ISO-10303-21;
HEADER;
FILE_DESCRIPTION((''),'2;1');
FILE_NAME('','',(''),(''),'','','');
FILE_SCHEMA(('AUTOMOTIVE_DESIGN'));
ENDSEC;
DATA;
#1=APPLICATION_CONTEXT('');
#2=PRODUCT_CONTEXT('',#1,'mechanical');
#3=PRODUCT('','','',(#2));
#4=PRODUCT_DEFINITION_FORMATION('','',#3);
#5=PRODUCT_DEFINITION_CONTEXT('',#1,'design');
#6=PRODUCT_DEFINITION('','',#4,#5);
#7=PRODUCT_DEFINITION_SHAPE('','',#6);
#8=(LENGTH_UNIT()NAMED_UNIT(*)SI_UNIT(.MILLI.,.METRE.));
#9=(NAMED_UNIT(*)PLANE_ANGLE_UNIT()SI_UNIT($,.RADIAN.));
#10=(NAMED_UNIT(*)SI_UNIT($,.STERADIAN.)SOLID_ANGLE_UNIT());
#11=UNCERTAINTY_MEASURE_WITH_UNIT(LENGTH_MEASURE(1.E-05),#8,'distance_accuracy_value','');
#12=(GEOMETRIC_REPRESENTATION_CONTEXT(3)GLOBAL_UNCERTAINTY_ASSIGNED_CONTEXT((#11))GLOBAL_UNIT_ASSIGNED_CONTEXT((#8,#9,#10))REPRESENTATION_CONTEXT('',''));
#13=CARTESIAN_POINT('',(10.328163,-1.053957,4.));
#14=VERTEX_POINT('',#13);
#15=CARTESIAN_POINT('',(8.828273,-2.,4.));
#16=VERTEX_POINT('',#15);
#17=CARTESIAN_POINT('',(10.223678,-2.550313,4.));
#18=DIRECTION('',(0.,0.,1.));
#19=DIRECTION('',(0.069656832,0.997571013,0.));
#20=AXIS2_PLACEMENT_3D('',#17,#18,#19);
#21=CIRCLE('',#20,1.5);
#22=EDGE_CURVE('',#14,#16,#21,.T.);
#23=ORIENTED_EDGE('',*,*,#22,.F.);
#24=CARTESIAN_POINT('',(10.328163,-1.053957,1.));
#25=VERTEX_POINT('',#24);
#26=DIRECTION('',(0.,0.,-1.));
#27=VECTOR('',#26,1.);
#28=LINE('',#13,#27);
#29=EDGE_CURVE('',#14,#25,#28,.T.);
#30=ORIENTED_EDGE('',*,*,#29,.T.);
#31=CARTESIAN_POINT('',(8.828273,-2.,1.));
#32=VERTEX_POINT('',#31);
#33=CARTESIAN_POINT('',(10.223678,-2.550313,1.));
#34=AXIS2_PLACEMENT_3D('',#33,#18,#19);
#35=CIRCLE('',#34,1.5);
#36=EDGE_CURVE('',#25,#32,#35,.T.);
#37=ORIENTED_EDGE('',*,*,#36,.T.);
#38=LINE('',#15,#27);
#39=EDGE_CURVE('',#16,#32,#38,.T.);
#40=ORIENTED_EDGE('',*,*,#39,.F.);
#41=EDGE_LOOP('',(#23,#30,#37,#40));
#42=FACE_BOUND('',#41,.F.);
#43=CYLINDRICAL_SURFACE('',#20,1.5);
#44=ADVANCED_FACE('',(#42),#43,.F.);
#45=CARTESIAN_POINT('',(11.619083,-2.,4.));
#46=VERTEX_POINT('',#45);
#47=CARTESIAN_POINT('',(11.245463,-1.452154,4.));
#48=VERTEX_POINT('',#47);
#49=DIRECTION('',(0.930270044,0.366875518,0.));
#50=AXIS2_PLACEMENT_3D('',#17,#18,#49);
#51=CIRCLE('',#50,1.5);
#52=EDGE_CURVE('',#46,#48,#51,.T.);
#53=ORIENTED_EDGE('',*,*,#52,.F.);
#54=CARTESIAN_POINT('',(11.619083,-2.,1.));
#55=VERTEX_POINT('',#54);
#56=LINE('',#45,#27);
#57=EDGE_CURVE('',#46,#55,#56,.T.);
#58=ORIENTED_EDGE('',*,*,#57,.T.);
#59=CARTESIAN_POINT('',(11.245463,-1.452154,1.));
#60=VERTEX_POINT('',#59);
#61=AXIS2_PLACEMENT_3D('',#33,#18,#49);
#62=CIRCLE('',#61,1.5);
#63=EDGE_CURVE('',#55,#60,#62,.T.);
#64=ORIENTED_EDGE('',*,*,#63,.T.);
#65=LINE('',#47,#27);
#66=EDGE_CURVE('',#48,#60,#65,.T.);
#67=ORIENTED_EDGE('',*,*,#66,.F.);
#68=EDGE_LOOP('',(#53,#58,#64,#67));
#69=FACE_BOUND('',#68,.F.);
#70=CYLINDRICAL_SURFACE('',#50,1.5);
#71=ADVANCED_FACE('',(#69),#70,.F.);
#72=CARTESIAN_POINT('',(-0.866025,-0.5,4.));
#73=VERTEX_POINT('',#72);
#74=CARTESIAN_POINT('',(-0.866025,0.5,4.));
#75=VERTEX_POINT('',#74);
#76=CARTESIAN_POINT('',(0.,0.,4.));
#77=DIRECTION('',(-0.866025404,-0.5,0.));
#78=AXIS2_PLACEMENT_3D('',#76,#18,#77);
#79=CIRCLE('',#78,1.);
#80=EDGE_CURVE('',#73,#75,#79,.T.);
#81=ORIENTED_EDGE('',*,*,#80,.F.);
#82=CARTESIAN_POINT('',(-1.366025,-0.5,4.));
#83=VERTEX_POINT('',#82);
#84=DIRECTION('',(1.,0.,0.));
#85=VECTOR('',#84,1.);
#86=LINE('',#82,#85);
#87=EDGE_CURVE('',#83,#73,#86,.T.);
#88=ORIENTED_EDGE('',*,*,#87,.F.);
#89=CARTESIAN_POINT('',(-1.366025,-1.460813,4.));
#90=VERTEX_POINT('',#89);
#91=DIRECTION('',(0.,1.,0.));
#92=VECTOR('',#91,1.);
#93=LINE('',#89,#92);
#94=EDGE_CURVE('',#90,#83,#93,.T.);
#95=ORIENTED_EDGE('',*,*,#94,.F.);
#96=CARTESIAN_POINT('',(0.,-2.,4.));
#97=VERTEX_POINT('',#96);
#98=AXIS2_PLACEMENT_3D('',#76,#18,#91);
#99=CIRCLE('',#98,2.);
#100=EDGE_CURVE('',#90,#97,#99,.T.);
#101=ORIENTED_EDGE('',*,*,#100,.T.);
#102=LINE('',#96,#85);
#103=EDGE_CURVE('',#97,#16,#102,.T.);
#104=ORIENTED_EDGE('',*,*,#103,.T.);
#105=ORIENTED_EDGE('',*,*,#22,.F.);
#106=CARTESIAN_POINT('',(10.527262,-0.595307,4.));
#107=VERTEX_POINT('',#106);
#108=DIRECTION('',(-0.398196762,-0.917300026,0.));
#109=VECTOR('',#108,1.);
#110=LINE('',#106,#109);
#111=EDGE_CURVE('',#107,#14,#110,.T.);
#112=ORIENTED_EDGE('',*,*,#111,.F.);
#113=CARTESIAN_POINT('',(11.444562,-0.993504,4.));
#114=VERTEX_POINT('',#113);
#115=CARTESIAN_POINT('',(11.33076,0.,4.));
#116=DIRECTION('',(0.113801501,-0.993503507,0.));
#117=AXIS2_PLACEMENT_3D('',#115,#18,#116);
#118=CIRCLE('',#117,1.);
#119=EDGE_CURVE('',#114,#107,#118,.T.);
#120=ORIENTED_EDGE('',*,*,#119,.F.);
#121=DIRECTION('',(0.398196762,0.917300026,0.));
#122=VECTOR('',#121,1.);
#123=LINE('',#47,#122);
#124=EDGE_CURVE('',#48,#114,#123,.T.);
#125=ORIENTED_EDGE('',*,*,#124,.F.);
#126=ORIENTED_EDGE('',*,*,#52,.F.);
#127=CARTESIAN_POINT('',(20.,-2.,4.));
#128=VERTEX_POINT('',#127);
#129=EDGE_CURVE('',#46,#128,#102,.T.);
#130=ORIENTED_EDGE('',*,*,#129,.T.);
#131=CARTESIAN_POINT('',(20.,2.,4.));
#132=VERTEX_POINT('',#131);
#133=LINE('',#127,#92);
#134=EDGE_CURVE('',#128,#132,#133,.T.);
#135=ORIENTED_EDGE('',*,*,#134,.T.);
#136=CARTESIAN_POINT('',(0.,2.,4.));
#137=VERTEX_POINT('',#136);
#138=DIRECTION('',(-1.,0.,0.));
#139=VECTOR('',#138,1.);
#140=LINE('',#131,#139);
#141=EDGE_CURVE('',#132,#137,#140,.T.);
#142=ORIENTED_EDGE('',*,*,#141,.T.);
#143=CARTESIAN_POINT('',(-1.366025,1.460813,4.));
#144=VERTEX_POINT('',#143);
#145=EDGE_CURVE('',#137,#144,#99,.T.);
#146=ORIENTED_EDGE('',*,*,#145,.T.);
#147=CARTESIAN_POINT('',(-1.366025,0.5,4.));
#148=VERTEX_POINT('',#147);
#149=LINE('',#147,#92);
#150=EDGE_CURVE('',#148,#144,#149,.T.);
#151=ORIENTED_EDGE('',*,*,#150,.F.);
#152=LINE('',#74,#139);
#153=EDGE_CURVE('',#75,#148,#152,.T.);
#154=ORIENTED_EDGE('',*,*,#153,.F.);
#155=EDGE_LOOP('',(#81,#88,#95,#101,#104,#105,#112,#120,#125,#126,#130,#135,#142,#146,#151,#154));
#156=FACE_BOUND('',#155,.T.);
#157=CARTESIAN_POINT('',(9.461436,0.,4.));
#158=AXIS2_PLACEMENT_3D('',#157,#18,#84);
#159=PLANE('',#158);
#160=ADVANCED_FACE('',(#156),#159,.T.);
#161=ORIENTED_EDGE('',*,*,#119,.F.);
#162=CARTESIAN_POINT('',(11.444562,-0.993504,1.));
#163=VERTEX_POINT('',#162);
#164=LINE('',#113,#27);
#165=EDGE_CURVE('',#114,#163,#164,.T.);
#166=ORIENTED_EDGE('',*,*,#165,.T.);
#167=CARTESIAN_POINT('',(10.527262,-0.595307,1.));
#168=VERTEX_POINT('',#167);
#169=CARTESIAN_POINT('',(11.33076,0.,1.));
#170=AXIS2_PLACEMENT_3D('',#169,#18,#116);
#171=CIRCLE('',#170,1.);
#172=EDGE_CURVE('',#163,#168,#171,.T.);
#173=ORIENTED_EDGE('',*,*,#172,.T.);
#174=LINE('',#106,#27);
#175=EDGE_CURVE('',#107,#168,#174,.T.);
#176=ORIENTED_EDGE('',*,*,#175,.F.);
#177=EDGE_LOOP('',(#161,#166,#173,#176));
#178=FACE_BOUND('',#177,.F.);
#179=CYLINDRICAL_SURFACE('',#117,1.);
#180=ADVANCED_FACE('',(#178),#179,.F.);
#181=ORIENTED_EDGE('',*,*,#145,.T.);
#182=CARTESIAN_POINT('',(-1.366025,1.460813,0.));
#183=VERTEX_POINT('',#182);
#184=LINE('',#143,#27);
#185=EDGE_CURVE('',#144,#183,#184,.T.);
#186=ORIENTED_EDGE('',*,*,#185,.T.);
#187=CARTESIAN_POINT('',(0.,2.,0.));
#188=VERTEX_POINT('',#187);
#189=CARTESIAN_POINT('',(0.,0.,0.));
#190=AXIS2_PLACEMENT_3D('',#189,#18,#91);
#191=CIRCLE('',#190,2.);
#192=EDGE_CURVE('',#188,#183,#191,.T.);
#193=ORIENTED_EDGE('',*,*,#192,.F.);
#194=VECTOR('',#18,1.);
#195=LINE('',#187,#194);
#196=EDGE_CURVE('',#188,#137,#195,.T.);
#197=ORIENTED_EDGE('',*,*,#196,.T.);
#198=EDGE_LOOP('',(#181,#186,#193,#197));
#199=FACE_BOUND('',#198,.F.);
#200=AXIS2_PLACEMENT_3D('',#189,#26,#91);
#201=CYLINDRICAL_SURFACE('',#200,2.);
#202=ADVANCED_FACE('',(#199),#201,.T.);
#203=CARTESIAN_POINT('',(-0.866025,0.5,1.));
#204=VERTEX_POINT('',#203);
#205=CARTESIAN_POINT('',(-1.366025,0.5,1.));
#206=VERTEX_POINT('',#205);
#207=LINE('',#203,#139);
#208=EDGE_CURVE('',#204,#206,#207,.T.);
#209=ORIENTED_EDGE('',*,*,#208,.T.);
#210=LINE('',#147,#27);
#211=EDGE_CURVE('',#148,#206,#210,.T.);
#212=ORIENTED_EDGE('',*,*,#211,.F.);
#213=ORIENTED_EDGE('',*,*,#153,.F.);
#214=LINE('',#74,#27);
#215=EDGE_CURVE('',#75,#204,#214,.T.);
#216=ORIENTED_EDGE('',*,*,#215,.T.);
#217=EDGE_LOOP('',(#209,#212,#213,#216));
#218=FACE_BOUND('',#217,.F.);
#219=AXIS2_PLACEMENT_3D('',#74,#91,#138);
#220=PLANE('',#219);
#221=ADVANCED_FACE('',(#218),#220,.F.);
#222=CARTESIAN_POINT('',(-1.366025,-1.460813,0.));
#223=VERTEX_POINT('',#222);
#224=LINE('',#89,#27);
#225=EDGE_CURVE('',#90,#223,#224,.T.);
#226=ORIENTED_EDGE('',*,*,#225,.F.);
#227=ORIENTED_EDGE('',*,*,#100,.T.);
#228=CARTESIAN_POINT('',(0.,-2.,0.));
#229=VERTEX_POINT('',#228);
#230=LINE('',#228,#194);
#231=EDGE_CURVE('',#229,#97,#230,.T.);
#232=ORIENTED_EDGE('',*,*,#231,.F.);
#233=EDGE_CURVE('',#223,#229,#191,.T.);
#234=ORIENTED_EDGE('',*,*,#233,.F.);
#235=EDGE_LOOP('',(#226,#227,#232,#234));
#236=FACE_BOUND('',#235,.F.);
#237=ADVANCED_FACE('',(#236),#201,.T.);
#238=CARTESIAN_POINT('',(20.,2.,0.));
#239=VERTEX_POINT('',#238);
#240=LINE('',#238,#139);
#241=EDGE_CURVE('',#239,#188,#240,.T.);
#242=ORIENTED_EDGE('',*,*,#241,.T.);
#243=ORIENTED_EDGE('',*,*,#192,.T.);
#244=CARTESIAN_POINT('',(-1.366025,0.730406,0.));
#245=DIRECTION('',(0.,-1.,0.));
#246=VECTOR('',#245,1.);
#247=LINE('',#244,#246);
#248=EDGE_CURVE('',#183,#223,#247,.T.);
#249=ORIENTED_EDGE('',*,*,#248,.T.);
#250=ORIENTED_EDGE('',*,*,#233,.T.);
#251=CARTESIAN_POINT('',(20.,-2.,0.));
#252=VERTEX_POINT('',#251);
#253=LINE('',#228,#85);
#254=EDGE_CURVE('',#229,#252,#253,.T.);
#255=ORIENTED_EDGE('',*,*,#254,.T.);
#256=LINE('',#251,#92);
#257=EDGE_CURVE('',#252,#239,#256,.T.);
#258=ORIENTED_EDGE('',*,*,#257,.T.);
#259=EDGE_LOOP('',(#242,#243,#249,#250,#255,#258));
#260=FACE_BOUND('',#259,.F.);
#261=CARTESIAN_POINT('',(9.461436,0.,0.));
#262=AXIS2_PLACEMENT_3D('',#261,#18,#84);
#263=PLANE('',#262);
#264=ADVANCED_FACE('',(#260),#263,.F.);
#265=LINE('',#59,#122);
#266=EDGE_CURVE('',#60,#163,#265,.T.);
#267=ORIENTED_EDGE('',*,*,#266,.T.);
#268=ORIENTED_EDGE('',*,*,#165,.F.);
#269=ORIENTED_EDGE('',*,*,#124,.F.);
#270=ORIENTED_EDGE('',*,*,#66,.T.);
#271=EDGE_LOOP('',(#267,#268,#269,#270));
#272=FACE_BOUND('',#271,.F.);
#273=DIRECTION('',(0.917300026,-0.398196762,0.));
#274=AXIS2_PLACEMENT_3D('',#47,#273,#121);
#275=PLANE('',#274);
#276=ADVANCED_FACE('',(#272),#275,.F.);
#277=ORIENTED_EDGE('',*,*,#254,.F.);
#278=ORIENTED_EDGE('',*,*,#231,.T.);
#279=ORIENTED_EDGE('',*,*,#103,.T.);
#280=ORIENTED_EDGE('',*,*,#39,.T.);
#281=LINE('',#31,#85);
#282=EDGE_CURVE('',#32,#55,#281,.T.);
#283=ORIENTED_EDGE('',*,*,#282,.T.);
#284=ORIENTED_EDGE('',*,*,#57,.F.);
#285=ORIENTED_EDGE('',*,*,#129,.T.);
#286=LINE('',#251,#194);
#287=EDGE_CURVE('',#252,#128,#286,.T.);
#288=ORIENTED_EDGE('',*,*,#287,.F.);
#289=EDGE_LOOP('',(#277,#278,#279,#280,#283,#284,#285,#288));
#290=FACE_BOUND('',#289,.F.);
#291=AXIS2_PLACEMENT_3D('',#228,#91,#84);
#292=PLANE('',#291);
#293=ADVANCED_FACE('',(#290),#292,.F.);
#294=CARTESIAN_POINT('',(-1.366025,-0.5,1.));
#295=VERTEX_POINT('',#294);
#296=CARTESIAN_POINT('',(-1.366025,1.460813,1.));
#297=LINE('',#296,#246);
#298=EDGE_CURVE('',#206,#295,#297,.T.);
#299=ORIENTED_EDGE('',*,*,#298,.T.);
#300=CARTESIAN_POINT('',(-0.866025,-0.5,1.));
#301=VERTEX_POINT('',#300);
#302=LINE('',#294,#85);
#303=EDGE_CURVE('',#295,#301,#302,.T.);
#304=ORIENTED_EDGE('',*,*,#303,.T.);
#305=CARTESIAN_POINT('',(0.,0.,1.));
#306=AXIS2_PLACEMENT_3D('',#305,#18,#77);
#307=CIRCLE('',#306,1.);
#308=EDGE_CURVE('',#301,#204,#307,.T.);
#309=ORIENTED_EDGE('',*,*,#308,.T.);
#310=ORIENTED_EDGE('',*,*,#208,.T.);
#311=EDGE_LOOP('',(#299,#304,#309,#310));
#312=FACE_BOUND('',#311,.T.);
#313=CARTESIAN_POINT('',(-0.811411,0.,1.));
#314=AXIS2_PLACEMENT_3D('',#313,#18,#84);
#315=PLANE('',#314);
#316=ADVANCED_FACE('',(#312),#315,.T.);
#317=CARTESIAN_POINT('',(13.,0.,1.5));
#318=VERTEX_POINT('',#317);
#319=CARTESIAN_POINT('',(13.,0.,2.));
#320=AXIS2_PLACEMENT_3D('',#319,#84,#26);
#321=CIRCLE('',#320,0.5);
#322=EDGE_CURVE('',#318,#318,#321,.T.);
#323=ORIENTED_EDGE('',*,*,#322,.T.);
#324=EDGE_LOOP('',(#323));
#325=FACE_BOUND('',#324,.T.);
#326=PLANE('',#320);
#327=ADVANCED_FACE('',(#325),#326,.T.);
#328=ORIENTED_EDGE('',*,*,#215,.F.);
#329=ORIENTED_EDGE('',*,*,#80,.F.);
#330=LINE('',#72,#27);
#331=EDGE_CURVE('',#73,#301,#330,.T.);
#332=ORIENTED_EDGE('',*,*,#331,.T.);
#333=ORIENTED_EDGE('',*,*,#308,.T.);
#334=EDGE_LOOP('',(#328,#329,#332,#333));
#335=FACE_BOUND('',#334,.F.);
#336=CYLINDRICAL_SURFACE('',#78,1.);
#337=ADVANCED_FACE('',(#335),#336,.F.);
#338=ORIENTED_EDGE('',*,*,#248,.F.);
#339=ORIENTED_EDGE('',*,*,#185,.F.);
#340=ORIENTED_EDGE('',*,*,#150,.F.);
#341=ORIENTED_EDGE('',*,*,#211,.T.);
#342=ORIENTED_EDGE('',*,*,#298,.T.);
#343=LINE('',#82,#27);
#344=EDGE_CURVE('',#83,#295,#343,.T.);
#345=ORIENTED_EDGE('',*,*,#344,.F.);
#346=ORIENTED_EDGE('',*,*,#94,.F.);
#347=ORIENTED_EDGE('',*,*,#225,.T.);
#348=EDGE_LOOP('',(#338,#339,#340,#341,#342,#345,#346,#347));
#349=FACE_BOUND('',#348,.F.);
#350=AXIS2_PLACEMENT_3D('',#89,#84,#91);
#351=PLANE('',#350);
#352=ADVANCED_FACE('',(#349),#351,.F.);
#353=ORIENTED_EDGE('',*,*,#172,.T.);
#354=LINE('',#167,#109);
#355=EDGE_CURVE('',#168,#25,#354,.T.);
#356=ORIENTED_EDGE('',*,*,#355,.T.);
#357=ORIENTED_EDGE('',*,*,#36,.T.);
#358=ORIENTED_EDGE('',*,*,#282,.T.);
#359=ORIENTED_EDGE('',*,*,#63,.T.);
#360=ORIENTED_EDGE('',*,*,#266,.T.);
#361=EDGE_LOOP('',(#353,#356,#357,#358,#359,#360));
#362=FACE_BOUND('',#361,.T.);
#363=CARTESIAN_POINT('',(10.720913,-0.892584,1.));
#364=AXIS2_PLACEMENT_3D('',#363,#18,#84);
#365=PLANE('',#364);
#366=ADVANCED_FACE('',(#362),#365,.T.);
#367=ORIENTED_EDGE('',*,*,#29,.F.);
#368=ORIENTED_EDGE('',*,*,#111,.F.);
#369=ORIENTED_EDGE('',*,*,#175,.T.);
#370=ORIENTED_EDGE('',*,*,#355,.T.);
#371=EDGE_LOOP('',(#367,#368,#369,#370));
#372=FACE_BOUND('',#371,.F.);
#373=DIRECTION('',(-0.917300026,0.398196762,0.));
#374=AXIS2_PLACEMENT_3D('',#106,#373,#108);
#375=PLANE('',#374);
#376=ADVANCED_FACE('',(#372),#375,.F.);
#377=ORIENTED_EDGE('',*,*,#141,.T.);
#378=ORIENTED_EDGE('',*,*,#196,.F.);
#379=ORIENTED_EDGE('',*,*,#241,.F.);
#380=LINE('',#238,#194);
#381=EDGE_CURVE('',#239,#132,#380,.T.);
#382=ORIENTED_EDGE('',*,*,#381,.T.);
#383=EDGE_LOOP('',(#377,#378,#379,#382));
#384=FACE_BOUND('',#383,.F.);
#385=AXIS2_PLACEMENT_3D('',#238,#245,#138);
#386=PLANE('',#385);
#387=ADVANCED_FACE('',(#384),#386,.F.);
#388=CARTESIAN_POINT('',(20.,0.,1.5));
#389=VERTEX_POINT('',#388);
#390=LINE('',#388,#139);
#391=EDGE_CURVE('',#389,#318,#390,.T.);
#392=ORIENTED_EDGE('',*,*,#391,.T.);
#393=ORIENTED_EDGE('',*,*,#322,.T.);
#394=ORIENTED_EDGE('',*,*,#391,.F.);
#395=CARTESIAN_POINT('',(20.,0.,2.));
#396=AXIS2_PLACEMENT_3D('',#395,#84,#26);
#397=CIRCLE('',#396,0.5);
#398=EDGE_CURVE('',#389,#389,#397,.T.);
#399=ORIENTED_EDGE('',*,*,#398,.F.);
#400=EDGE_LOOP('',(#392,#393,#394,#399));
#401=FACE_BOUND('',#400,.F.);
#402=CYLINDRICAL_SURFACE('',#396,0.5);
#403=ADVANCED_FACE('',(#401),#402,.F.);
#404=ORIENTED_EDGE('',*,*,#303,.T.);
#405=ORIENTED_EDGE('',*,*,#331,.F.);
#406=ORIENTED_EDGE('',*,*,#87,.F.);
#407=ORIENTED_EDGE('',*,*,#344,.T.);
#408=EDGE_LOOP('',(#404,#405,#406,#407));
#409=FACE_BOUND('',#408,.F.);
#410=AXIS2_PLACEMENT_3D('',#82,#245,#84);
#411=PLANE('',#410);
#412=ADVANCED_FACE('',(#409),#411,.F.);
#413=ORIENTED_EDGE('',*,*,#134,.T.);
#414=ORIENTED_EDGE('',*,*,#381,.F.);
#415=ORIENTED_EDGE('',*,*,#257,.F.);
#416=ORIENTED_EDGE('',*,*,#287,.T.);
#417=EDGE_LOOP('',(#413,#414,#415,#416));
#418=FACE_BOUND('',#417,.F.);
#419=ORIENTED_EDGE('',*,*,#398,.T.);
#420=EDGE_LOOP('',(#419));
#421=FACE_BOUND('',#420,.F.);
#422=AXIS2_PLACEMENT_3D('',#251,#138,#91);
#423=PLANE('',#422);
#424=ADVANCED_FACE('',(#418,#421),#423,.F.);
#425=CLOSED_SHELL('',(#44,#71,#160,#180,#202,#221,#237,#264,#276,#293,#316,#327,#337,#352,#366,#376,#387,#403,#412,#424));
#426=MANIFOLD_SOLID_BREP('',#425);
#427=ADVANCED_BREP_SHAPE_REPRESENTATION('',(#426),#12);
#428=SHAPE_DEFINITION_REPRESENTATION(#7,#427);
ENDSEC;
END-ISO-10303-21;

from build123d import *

# Parameters (mm, degrees)
EXTRUDE_1_DEPTH     = 4
SKETCH_4_R          = 0.5
CUT_EXTRUDE_1_DEPTH = 7
CUT_EXTRUDE_4_DEPTH = 3
CUT_EXTRUDE_5_DEPTH = 3
CUT_EXTRUDE_6_DEPTH = 3


with BuildPart() as part:
    # 草图3 → 凸台-拉伸1 (new body)
    with BuildSketch(Plane.XY):
        with BuildLine():
            Line((0, -2), (20, -2))
            Line((20, -2), (20, 2))
            Line((20, 2), (0, 2))
            ThreePointArc((0, 2), (-2, 0), (0, -2))
        make_face()
    extrude(amount=EXTRUDE_1_DEPTH)

    # 草图4 → 切除-拉伸1 (cut)
    with BuildSketch(Plane(origin=(20, 0, 0), x_dir=(0, 0, -1), z_dir=(1, 0, 0))):
        with Locations((-2, 0)):
            Circle(SKETCH_4_R)
    extrude(amount=-CUT_EXTRUDE_1_DEPTH, mode=Mode.SUBTRACT)

    # 草图5 → 切除-拉伸4 (cut)
    with BuildSketch(Plane.XY.offset(4)):
        with BuildLine():
            Line((-0.866025404, 0.5), (-1.366025404, 0.5))
            Line((-1.366025404, 0.5), (-1.366025404, 1.460812992))
            ThreePointArc((-1.366025404, 1.460812992), (-2, 0), (-1.366025404, -1.460812992))
            Line((-1.366025404, -1.460812992), (-1.366025404, -0.5))
            Line((-1.366025404, -0.5), (-0.866025404, -0.5))
            ThreePointArc((-0.866025404, -0.5), (1, 0), (-0.866025404, 0.5))
        make_face()
    extrude(amount=-CUT_EXTRUDE_4_DEPTH, mode=Mode.SUBTRACT)

    # 草图6 → 切除-拉伸5 (cut)
    with BuildSketch(Plane.XY.offset(1)):
        with BuildLine():
            Line((-1.366025404, 0.5), (-1.366025404, -0.5))
            Line((-1.366025404, -0.5), (-1.366025404, -1.460812992))
            ThreePointArc((-1.366025404, -1.460812992), (-2, 0), (-1.366025404, 1.460812992))
            Line((-1.366025404, 1.460812992), (-1.366025404, 0.5))
        make_face()
    extrude(amount=-CUT_EXTRUDE_5_DEPTH, mode=Mode.SUBTRACT)

    # 草图7 → 切除-拉伸6 (cut)
    with BuildSketch(Plane.XY.offset(4)):
        with BuildLine():
            Line((10.527261775, -0.595306745), (10.328163394, -1.053956758))
            ThreePointArc((10.328163394, -1.053956758), (9.423448211, -1.281600523), (8.828273079, -2))
            Line((8.828273079, -2), (9.917489301, -2))
            Line((9.917489301, -2), (11.007645162, -2))
            Line((11.007645162, -2), (11.619083211, -2))
            ThreePointArc((11.619083211, -2), (11.462926396, -1.705172003), (11.24546342, -1.45215352))
            Line((11.24546342, -1.45215352), (11.444561801, -0.993503507))
            ThreePointArc((11.444561801, -0.993503507), (11.728957062, 0.917300026), (10.527261775, -0.595306745))
        make_face()
    extrude(amount=-CUT_EXTRUDE_6_DEPTH, mode=Mode.SUBTRACT)


solid = part.part
